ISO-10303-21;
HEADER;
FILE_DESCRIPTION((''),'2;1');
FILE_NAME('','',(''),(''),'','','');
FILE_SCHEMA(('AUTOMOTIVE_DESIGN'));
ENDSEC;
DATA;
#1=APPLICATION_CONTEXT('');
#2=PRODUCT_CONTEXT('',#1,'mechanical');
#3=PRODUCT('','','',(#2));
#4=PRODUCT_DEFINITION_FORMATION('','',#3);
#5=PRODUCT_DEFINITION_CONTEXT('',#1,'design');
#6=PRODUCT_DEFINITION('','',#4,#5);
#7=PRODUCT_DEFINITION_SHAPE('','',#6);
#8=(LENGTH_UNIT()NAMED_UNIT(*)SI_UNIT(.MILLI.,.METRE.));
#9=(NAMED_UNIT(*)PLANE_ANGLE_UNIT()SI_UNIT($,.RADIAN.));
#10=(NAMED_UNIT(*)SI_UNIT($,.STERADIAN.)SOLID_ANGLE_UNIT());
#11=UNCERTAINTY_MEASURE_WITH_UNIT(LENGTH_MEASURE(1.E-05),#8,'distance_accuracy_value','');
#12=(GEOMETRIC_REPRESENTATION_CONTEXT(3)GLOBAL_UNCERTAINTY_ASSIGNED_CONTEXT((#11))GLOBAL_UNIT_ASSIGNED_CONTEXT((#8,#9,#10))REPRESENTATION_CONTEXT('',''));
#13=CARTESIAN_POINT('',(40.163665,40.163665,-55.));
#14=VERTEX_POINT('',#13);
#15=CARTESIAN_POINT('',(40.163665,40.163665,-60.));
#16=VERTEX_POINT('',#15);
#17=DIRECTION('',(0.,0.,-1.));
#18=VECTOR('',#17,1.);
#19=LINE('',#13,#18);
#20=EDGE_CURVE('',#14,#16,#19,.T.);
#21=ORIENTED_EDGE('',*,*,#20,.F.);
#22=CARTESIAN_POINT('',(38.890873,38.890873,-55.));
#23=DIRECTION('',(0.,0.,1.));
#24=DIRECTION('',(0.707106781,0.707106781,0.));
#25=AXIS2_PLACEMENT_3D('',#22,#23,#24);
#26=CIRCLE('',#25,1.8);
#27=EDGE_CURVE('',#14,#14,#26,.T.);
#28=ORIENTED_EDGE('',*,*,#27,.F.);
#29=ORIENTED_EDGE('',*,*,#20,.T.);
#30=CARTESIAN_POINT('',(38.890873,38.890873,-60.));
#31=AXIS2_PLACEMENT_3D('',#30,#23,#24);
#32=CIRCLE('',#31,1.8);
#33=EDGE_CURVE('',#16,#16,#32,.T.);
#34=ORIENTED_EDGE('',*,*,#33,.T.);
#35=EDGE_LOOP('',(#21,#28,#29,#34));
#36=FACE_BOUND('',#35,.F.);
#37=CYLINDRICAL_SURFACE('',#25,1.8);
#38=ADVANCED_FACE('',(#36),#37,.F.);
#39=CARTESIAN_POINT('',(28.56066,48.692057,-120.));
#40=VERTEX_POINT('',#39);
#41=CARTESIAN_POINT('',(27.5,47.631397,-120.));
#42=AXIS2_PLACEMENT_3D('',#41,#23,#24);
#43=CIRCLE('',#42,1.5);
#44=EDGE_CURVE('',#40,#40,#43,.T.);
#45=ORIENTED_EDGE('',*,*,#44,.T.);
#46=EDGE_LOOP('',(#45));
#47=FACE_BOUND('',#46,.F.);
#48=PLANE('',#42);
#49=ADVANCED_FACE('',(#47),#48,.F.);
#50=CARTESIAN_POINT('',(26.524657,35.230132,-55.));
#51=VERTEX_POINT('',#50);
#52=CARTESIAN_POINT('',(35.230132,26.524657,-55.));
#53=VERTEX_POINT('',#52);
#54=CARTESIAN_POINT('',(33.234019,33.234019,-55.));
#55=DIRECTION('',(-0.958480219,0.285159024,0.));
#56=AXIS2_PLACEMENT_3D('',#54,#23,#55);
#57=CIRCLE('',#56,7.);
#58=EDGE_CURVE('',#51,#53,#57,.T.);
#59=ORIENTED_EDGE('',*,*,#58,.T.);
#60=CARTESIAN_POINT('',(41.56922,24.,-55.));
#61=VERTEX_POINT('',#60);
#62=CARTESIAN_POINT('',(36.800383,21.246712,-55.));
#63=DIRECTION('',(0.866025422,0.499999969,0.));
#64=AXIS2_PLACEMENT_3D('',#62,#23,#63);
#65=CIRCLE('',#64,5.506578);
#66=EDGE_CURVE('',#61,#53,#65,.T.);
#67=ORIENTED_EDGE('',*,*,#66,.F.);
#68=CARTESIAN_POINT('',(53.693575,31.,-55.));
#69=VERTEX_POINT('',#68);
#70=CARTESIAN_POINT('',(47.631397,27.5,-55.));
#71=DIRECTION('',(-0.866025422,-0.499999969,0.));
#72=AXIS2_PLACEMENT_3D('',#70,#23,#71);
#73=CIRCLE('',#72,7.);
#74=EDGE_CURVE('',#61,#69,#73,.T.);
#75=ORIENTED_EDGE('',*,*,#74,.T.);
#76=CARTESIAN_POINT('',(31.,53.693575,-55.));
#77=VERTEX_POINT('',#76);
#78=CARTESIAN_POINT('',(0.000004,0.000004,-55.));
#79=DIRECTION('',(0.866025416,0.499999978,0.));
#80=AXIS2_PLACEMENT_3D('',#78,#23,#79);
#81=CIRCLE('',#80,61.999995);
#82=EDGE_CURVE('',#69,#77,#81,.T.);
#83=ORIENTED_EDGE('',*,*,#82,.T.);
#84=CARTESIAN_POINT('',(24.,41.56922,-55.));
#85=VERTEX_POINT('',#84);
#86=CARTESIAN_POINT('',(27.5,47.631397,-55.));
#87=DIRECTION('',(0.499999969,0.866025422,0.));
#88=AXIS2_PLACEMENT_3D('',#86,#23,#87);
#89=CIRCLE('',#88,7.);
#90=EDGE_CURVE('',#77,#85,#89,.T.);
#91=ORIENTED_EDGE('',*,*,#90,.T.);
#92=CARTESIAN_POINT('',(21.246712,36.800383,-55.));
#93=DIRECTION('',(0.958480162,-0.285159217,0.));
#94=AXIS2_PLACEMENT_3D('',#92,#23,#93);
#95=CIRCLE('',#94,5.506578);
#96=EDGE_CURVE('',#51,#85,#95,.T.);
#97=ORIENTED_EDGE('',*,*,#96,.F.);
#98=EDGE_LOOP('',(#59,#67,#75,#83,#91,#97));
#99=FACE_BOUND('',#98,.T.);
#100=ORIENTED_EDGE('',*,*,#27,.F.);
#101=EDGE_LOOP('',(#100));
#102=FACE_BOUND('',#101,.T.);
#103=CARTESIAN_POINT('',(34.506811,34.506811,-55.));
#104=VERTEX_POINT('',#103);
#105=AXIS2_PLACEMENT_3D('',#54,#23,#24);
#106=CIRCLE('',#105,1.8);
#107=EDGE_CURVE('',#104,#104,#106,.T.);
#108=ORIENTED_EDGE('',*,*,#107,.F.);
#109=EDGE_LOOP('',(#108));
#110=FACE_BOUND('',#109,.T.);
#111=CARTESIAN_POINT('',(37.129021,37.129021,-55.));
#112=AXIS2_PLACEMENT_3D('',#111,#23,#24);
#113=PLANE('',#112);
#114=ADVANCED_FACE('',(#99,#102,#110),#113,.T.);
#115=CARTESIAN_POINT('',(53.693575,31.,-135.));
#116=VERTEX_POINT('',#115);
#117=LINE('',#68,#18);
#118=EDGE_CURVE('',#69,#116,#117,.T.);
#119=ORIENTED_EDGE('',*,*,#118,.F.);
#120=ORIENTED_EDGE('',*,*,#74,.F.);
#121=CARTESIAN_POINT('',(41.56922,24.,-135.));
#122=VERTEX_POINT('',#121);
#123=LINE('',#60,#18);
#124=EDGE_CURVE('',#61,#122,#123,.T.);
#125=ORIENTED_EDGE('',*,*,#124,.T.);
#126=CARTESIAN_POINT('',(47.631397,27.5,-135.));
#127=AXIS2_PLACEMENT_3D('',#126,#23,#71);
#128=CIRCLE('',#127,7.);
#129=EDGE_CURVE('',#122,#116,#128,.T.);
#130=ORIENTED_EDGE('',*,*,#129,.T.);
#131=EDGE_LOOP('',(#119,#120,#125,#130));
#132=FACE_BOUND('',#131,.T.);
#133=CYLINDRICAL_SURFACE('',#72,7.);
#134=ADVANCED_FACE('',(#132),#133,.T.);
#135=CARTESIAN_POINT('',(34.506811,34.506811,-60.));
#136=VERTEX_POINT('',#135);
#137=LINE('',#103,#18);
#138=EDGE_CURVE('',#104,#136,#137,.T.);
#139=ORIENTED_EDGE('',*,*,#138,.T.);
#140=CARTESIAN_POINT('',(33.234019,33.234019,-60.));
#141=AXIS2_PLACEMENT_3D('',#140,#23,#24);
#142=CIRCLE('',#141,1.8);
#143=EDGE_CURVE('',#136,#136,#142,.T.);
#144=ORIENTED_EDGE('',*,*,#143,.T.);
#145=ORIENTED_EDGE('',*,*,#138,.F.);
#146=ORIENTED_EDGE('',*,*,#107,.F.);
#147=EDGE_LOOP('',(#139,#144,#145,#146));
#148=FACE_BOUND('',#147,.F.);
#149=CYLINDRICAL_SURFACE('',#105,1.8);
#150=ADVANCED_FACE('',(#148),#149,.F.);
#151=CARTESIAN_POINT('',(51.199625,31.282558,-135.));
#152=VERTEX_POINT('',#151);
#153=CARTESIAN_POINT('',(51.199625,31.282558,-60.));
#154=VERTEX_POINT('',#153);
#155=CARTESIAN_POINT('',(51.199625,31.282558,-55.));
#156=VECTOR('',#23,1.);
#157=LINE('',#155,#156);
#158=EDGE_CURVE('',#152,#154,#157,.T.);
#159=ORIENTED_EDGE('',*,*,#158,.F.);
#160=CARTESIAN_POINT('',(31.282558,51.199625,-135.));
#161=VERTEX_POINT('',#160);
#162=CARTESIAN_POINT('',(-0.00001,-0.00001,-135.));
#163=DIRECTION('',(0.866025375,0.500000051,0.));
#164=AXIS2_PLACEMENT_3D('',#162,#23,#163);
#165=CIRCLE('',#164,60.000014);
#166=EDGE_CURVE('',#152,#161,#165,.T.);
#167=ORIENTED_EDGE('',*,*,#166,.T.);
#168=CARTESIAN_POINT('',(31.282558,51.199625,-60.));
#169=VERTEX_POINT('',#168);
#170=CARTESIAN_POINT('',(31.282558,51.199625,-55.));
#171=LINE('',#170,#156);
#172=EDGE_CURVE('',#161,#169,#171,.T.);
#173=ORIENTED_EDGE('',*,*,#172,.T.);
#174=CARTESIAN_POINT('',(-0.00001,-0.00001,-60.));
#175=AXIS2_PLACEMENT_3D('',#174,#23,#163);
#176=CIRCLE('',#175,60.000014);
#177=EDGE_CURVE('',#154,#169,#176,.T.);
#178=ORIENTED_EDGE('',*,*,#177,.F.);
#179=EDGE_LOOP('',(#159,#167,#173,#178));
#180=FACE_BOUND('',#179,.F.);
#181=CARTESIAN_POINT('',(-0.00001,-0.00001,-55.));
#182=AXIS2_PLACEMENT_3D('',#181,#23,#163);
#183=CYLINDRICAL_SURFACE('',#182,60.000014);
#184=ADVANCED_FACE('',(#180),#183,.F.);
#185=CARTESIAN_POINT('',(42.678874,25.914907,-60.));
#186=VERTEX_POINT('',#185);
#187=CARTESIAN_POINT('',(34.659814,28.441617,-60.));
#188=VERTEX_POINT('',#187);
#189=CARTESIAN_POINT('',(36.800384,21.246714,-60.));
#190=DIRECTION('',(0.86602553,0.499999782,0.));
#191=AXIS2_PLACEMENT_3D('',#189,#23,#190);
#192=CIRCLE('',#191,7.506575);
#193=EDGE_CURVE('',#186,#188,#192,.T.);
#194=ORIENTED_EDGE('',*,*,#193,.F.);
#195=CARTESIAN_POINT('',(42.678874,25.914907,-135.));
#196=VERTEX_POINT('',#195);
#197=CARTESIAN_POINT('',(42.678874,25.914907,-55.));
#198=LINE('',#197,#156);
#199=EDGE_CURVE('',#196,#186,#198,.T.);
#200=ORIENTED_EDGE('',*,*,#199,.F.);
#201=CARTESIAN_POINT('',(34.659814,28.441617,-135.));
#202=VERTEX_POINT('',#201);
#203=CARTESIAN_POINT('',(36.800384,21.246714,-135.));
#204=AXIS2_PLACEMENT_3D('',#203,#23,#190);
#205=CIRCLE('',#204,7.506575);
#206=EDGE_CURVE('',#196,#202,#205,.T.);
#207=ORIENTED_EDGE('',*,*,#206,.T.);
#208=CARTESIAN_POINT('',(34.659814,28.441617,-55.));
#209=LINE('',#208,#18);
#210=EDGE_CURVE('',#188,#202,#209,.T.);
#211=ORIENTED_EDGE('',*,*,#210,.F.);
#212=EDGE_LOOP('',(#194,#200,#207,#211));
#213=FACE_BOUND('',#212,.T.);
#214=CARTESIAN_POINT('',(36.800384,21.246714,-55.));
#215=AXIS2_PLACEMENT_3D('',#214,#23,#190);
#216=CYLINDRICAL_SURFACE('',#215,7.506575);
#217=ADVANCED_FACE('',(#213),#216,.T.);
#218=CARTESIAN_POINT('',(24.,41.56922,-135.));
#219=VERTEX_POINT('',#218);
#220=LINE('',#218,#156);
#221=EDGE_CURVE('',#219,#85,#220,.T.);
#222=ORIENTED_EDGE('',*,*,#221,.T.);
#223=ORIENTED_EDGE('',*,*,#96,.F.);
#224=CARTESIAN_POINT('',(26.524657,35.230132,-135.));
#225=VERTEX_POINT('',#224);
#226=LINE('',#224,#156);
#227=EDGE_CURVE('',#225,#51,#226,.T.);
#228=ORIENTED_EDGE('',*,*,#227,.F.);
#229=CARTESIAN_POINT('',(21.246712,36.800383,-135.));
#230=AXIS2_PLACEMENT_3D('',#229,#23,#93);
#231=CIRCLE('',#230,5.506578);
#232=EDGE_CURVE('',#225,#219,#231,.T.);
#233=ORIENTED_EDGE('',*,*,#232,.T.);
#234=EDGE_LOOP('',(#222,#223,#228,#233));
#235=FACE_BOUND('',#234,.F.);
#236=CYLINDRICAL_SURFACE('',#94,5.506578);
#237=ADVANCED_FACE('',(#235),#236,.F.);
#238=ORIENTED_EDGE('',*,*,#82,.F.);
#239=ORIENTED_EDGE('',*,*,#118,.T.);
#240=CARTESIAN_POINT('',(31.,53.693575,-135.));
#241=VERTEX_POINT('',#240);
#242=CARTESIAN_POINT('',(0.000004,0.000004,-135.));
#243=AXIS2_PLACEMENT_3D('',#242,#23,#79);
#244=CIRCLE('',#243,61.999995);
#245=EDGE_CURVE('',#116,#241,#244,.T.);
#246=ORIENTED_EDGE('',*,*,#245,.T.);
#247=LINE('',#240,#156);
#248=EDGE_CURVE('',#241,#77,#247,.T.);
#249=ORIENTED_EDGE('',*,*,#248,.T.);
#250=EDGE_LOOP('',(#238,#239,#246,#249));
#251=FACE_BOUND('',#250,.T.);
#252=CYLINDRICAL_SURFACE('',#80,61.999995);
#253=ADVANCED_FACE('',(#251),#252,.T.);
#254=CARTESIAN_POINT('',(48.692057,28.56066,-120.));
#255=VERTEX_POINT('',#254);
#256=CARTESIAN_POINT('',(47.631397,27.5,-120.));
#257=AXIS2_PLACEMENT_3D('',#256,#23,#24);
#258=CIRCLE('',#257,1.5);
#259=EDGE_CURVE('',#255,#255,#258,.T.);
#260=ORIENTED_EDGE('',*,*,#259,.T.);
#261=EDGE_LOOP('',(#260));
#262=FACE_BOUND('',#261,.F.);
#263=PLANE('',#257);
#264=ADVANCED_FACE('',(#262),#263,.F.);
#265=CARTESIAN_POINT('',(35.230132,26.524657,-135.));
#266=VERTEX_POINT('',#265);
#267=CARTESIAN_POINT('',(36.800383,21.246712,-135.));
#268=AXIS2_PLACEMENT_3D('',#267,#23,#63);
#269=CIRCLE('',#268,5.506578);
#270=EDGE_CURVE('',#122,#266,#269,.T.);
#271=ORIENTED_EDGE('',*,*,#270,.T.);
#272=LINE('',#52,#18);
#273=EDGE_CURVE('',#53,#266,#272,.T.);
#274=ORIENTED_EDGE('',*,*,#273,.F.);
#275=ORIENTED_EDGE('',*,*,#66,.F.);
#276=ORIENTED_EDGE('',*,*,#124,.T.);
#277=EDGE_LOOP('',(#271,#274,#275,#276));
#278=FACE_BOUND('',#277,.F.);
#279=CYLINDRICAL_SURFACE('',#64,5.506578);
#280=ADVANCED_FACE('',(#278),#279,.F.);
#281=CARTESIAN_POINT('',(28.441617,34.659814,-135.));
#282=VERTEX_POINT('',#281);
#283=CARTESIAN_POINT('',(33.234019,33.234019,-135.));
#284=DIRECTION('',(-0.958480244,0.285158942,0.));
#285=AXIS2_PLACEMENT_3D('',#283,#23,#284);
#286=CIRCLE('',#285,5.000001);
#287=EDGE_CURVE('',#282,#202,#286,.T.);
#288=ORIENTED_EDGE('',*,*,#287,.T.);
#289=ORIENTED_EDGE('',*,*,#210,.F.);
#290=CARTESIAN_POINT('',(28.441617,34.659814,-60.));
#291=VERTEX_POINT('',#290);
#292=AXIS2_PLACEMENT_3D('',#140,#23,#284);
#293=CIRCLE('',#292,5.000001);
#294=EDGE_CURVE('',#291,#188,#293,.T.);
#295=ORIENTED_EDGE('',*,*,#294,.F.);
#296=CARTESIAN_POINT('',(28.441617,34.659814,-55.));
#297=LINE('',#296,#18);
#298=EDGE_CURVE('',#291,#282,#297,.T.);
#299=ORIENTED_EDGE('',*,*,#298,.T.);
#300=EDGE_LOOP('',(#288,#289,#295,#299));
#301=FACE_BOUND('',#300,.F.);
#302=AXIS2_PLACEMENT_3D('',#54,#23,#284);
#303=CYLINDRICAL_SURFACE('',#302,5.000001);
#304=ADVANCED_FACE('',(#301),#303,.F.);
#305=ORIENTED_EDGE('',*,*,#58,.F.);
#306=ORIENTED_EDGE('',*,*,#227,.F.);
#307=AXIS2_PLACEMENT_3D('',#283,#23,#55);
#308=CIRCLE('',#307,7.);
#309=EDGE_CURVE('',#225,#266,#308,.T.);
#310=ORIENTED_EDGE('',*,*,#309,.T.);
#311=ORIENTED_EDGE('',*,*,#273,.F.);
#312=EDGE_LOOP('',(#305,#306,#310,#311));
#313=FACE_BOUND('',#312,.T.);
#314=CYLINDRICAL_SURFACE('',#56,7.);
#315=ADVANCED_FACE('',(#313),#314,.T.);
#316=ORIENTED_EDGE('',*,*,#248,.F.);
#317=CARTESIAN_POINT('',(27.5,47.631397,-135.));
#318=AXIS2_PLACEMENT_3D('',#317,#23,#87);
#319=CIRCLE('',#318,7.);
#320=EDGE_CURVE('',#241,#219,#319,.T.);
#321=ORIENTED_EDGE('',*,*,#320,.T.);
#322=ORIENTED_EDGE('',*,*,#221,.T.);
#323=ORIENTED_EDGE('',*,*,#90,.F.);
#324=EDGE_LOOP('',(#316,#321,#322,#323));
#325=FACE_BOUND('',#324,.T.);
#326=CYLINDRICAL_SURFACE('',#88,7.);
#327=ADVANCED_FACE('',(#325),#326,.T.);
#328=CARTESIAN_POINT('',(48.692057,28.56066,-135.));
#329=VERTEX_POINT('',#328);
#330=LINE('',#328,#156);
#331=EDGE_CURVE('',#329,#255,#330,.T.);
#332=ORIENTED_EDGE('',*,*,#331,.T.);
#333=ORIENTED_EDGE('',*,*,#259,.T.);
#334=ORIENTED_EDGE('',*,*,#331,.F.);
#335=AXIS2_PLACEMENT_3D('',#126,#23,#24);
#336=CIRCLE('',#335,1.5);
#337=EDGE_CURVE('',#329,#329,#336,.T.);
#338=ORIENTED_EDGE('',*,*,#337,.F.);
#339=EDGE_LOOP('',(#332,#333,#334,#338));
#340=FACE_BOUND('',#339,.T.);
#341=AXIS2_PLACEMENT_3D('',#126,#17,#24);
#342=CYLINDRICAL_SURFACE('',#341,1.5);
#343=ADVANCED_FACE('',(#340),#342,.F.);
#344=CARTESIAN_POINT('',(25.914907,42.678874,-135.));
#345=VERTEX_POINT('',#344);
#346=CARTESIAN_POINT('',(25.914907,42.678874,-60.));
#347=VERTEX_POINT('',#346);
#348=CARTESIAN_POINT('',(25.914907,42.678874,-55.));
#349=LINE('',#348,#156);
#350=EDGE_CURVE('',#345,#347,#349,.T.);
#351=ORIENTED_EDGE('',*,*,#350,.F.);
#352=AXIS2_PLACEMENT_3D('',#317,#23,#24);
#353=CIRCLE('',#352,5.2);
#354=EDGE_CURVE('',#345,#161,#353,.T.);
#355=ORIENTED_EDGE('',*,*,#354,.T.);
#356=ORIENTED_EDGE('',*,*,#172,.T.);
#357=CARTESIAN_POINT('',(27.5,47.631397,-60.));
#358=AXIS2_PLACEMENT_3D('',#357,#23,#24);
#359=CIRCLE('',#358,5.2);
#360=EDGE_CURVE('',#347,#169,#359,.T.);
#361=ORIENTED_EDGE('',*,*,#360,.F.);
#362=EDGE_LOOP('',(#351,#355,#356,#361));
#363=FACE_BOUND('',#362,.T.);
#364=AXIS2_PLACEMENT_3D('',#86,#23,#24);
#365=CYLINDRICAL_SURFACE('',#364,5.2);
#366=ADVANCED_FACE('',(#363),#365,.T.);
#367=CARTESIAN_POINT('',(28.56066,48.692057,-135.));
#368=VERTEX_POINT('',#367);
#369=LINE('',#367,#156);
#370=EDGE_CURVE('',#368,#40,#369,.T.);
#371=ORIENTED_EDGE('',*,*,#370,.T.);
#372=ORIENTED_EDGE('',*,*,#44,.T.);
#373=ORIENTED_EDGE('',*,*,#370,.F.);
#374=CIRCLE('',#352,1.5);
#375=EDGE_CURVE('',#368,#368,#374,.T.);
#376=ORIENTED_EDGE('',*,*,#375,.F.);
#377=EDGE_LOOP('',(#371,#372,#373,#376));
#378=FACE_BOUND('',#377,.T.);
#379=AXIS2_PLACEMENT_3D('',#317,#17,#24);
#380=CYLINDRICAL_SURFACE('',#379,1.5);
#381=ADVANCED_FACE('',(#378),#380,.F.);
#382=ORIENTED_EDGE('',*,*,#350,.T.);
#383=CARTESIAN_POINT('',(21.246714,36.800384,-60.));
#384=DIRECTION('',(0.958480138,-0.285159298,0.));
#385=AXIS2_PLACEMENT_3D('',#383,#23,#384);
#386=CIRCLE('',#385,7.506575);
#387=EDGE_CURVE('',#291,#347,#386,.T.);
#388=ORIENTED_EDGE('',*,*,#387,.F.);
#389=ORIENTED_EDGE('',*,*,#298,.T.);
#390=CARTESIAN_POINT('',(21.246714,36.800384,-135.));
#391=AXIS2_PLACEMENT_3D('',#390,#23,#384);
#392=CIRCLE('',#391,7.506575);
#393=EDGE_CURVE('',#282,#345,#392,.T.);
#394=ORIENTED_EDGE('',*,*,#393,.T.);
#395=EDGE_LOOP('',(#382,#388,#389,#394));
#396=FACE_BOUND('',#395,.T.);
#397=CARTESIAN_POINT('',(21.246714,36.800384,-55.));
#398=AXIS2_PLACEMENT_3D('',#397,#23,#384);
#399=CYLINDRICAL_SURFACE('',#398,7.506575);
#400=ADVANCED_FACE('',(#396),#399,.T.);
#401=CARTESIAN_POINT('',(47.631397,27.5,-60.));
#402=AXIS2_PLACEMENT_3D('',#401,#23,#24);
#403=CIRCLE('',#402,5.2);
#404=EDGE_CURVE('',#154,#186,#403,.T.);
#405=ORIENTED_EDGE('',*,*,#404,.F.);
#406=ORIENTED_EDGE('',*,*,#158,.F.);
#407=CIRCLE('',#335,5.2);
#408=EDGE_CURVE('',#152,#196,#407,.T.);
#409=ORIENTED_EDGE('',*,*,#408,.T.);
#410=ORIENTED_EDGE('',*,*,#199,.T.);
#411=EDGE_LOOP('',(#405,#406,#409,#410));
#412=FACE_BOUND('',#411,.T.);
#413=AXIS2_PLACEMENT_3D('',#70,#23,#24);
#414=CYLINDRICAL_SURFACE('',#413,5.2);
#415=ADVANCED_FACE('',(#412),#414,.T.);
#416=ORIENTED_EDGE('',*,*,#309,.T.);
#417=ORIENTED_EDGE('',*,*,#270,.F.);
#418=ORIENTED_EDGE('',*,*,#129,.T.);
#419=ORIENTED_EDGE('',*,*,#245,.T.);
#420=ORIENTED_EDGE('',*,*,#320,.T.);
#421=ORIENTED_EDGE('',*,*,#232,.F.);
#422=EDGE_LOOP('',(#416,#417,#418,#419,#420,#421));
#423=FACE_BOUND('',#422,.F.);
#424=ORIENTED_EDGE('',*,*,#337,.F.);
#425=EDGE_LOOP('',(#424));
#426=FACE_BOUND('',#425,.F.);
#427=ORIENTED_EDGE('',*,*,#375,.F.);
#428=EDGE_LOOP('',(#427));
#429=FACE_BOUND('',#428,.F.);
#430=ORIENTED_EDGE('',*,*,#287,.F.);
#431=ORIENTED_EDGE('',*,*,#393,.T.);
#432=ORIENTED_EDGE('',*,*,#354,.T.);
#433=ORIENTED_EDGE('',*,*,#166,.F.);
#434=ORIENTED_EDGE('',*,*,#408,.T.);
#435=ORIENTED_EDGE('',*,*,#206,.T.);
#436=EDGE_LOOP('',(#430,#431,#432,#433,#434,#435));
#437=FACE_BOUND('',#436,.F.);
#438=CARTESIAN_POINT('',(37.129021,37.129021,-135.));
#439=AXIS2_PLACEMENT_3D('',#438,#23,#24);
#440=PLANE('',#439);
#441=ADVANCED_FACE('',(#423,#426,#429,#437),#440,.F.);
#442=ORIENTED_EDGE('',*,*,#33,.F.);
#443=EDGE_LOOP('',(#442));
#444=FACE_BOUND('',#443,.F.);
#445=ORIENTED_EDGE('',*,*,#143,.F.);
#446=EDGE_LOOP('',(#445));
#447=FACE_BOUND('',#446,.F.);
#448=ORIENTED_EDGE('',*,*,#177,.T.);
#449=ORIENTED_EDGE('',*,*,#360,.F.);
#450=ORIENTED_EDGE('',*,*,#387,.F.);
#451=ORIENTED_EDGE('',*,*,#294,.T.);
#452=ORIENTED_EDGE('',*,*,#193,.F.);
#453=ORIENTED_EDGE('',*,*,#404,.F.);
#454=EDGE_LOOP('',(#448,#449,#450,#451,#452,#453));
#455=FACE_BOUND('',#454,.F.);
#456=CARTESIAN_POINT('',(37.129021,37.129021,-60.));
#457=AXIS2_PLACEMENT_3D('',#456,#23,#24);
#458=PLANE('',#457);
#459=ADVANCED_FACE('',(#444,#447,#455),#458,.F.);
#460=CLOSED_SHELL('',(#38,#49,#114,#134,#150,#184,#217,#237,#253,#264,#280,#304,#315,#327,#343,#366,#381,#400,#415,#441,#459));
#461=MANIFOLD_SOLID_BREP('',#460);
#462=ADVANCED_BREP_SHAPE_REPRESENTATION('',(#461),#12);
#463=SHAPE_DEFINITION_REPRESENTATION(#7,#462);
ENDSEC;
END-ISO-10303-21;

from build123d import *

# Parameters (mm, degrees)
SKETCH032_R             = 1.8
PAD023_DEPTH            = 5
PAD024_DEPTH            = 80
SKETCH031_R             = 5.2
PAD022_DEPTH            = 80
SKETCH029_R             = 1.5
POCKET006_DEPTH         = 15
BODY004_PLACEMENT_ANGLE = 45


with BuildPart() as part:
    # Sketch032 → Pad023 (new body)
    with BuildSketch(Plane.XY):
        with BuildLine():
            ThreePointArc((59.887401, -16.046781), (62, 0), (59.887401, 16.046781))
            ThreePointArc((59.887401, 16.046781), (51.314187, 20.996528), (46.36444, 12.423314))
            ThreePointArc((43.66723, 6.1557), (46.103592, 8.821401), (46.36444, 12.423314))
            ThreePointArc((43.66723, 6.1557), (40, 0), (43.66723, -6.1557))
            ThreePointArc((46.36444, -12.423314), (46.103592, -8.821401), (43.66723, -6.1557))
            ThreePointArc((46.36444, -12.423314), (51.314187, -20.996528), (59.887401, -16.046781))
        make_face()
        with Locations((47, 0)):
            Circle(SKETCH032_R, mode=Mode.SUBTRACT)
        with Locations((55, 0)):
            Circle(SKETCH032_R, mode=Mode.SUBTRACT)
    extrude(amount=-PAD023_DEPTH)

    # Sketch033 → Pad024 (join)
    with BuildSketch(Plane.XY):
        with BuildLine():
            ThreePointArc((59.887401, -16.046781), (62, 0), (59.887401, 16.046781))
            ThreePointArc((59.887401, 16.046781), (51.314187, 20.996528), (46.36444, 12.423314))
            ThreePointArc((43.66723, 6.1557), (46.103592, 8.821401), (46.36444, 12.423314))
            ThreePointArc((43.66723, 6.1557), (40, 0), (43.66723, -6.1557))
            ThreePointArc((46.36444, -12.423314), (46.103592, -8.821401), (43.66723, -6.1557))
            ThreePointArc((46.36444, -12.423314), (51.314187, -20.996528), (59.887401, -16.046781))
        make_face()
        with BuildLine():
            ThreePointArc((57.95555, 15.529143), (51.831825, 19.064677), (48.296291, 12.940952))
            ThreePointArc((44.61945, 4.396929), (47.940703, 8.030817), (48.296291, 12.940952))
            ThreePointArc((44.61945, 4.396929), (42, 0), (44.61945, -4.396929))
            ThreePointArc((48.296291, -12.940952), (47.940703, -8.030817), (44.61945, -4.396929))
            ThreePointArc((48.296291, -12.940952), (51.831825, -19.064677), (57.95555, -15.529143))
            ThreePointArc((57.95555, -15.529143), (60, 0), (57.95555, 15.529143))
        make_face(mode=Mode.SUBTRACT)
    extrude(amount=-PAD024_DEPTH)

    # Sketch031 → Pad022 (join)
    with BuildSketch(Plane.XY):
        with Locations((53.12592, 14.235047)):
            Circle(SKETCH031_R)
        with Locations((53.12592, -14.235047)):
            Circle(SKETCH031_R)
    extrude(amount=-PAD022_DEPTH)

    # Sketch029 → Pocket006 (cut)
    with BuildSketch(Plane.XY.offset(-80)):
        with Locations((53.12592, 14.235047)):
            Circle(SKETCH029_R)
        with Locations((53.12592, -14.235047)):
            Circle(SKETCH029_R)
    extrude(amount=POCKET006_DEPTH, mode=Mode.SUBTRACT)


with BuildPart() as part_1:
    # Body004 placement: moved
    add(part.part.moved(Location((0, 0, -55))).rotate(Axis((0, 0, -55), (0, 0, 1)), BODY004_PLACEMENT_ANGLE))


solid = part_1.part
